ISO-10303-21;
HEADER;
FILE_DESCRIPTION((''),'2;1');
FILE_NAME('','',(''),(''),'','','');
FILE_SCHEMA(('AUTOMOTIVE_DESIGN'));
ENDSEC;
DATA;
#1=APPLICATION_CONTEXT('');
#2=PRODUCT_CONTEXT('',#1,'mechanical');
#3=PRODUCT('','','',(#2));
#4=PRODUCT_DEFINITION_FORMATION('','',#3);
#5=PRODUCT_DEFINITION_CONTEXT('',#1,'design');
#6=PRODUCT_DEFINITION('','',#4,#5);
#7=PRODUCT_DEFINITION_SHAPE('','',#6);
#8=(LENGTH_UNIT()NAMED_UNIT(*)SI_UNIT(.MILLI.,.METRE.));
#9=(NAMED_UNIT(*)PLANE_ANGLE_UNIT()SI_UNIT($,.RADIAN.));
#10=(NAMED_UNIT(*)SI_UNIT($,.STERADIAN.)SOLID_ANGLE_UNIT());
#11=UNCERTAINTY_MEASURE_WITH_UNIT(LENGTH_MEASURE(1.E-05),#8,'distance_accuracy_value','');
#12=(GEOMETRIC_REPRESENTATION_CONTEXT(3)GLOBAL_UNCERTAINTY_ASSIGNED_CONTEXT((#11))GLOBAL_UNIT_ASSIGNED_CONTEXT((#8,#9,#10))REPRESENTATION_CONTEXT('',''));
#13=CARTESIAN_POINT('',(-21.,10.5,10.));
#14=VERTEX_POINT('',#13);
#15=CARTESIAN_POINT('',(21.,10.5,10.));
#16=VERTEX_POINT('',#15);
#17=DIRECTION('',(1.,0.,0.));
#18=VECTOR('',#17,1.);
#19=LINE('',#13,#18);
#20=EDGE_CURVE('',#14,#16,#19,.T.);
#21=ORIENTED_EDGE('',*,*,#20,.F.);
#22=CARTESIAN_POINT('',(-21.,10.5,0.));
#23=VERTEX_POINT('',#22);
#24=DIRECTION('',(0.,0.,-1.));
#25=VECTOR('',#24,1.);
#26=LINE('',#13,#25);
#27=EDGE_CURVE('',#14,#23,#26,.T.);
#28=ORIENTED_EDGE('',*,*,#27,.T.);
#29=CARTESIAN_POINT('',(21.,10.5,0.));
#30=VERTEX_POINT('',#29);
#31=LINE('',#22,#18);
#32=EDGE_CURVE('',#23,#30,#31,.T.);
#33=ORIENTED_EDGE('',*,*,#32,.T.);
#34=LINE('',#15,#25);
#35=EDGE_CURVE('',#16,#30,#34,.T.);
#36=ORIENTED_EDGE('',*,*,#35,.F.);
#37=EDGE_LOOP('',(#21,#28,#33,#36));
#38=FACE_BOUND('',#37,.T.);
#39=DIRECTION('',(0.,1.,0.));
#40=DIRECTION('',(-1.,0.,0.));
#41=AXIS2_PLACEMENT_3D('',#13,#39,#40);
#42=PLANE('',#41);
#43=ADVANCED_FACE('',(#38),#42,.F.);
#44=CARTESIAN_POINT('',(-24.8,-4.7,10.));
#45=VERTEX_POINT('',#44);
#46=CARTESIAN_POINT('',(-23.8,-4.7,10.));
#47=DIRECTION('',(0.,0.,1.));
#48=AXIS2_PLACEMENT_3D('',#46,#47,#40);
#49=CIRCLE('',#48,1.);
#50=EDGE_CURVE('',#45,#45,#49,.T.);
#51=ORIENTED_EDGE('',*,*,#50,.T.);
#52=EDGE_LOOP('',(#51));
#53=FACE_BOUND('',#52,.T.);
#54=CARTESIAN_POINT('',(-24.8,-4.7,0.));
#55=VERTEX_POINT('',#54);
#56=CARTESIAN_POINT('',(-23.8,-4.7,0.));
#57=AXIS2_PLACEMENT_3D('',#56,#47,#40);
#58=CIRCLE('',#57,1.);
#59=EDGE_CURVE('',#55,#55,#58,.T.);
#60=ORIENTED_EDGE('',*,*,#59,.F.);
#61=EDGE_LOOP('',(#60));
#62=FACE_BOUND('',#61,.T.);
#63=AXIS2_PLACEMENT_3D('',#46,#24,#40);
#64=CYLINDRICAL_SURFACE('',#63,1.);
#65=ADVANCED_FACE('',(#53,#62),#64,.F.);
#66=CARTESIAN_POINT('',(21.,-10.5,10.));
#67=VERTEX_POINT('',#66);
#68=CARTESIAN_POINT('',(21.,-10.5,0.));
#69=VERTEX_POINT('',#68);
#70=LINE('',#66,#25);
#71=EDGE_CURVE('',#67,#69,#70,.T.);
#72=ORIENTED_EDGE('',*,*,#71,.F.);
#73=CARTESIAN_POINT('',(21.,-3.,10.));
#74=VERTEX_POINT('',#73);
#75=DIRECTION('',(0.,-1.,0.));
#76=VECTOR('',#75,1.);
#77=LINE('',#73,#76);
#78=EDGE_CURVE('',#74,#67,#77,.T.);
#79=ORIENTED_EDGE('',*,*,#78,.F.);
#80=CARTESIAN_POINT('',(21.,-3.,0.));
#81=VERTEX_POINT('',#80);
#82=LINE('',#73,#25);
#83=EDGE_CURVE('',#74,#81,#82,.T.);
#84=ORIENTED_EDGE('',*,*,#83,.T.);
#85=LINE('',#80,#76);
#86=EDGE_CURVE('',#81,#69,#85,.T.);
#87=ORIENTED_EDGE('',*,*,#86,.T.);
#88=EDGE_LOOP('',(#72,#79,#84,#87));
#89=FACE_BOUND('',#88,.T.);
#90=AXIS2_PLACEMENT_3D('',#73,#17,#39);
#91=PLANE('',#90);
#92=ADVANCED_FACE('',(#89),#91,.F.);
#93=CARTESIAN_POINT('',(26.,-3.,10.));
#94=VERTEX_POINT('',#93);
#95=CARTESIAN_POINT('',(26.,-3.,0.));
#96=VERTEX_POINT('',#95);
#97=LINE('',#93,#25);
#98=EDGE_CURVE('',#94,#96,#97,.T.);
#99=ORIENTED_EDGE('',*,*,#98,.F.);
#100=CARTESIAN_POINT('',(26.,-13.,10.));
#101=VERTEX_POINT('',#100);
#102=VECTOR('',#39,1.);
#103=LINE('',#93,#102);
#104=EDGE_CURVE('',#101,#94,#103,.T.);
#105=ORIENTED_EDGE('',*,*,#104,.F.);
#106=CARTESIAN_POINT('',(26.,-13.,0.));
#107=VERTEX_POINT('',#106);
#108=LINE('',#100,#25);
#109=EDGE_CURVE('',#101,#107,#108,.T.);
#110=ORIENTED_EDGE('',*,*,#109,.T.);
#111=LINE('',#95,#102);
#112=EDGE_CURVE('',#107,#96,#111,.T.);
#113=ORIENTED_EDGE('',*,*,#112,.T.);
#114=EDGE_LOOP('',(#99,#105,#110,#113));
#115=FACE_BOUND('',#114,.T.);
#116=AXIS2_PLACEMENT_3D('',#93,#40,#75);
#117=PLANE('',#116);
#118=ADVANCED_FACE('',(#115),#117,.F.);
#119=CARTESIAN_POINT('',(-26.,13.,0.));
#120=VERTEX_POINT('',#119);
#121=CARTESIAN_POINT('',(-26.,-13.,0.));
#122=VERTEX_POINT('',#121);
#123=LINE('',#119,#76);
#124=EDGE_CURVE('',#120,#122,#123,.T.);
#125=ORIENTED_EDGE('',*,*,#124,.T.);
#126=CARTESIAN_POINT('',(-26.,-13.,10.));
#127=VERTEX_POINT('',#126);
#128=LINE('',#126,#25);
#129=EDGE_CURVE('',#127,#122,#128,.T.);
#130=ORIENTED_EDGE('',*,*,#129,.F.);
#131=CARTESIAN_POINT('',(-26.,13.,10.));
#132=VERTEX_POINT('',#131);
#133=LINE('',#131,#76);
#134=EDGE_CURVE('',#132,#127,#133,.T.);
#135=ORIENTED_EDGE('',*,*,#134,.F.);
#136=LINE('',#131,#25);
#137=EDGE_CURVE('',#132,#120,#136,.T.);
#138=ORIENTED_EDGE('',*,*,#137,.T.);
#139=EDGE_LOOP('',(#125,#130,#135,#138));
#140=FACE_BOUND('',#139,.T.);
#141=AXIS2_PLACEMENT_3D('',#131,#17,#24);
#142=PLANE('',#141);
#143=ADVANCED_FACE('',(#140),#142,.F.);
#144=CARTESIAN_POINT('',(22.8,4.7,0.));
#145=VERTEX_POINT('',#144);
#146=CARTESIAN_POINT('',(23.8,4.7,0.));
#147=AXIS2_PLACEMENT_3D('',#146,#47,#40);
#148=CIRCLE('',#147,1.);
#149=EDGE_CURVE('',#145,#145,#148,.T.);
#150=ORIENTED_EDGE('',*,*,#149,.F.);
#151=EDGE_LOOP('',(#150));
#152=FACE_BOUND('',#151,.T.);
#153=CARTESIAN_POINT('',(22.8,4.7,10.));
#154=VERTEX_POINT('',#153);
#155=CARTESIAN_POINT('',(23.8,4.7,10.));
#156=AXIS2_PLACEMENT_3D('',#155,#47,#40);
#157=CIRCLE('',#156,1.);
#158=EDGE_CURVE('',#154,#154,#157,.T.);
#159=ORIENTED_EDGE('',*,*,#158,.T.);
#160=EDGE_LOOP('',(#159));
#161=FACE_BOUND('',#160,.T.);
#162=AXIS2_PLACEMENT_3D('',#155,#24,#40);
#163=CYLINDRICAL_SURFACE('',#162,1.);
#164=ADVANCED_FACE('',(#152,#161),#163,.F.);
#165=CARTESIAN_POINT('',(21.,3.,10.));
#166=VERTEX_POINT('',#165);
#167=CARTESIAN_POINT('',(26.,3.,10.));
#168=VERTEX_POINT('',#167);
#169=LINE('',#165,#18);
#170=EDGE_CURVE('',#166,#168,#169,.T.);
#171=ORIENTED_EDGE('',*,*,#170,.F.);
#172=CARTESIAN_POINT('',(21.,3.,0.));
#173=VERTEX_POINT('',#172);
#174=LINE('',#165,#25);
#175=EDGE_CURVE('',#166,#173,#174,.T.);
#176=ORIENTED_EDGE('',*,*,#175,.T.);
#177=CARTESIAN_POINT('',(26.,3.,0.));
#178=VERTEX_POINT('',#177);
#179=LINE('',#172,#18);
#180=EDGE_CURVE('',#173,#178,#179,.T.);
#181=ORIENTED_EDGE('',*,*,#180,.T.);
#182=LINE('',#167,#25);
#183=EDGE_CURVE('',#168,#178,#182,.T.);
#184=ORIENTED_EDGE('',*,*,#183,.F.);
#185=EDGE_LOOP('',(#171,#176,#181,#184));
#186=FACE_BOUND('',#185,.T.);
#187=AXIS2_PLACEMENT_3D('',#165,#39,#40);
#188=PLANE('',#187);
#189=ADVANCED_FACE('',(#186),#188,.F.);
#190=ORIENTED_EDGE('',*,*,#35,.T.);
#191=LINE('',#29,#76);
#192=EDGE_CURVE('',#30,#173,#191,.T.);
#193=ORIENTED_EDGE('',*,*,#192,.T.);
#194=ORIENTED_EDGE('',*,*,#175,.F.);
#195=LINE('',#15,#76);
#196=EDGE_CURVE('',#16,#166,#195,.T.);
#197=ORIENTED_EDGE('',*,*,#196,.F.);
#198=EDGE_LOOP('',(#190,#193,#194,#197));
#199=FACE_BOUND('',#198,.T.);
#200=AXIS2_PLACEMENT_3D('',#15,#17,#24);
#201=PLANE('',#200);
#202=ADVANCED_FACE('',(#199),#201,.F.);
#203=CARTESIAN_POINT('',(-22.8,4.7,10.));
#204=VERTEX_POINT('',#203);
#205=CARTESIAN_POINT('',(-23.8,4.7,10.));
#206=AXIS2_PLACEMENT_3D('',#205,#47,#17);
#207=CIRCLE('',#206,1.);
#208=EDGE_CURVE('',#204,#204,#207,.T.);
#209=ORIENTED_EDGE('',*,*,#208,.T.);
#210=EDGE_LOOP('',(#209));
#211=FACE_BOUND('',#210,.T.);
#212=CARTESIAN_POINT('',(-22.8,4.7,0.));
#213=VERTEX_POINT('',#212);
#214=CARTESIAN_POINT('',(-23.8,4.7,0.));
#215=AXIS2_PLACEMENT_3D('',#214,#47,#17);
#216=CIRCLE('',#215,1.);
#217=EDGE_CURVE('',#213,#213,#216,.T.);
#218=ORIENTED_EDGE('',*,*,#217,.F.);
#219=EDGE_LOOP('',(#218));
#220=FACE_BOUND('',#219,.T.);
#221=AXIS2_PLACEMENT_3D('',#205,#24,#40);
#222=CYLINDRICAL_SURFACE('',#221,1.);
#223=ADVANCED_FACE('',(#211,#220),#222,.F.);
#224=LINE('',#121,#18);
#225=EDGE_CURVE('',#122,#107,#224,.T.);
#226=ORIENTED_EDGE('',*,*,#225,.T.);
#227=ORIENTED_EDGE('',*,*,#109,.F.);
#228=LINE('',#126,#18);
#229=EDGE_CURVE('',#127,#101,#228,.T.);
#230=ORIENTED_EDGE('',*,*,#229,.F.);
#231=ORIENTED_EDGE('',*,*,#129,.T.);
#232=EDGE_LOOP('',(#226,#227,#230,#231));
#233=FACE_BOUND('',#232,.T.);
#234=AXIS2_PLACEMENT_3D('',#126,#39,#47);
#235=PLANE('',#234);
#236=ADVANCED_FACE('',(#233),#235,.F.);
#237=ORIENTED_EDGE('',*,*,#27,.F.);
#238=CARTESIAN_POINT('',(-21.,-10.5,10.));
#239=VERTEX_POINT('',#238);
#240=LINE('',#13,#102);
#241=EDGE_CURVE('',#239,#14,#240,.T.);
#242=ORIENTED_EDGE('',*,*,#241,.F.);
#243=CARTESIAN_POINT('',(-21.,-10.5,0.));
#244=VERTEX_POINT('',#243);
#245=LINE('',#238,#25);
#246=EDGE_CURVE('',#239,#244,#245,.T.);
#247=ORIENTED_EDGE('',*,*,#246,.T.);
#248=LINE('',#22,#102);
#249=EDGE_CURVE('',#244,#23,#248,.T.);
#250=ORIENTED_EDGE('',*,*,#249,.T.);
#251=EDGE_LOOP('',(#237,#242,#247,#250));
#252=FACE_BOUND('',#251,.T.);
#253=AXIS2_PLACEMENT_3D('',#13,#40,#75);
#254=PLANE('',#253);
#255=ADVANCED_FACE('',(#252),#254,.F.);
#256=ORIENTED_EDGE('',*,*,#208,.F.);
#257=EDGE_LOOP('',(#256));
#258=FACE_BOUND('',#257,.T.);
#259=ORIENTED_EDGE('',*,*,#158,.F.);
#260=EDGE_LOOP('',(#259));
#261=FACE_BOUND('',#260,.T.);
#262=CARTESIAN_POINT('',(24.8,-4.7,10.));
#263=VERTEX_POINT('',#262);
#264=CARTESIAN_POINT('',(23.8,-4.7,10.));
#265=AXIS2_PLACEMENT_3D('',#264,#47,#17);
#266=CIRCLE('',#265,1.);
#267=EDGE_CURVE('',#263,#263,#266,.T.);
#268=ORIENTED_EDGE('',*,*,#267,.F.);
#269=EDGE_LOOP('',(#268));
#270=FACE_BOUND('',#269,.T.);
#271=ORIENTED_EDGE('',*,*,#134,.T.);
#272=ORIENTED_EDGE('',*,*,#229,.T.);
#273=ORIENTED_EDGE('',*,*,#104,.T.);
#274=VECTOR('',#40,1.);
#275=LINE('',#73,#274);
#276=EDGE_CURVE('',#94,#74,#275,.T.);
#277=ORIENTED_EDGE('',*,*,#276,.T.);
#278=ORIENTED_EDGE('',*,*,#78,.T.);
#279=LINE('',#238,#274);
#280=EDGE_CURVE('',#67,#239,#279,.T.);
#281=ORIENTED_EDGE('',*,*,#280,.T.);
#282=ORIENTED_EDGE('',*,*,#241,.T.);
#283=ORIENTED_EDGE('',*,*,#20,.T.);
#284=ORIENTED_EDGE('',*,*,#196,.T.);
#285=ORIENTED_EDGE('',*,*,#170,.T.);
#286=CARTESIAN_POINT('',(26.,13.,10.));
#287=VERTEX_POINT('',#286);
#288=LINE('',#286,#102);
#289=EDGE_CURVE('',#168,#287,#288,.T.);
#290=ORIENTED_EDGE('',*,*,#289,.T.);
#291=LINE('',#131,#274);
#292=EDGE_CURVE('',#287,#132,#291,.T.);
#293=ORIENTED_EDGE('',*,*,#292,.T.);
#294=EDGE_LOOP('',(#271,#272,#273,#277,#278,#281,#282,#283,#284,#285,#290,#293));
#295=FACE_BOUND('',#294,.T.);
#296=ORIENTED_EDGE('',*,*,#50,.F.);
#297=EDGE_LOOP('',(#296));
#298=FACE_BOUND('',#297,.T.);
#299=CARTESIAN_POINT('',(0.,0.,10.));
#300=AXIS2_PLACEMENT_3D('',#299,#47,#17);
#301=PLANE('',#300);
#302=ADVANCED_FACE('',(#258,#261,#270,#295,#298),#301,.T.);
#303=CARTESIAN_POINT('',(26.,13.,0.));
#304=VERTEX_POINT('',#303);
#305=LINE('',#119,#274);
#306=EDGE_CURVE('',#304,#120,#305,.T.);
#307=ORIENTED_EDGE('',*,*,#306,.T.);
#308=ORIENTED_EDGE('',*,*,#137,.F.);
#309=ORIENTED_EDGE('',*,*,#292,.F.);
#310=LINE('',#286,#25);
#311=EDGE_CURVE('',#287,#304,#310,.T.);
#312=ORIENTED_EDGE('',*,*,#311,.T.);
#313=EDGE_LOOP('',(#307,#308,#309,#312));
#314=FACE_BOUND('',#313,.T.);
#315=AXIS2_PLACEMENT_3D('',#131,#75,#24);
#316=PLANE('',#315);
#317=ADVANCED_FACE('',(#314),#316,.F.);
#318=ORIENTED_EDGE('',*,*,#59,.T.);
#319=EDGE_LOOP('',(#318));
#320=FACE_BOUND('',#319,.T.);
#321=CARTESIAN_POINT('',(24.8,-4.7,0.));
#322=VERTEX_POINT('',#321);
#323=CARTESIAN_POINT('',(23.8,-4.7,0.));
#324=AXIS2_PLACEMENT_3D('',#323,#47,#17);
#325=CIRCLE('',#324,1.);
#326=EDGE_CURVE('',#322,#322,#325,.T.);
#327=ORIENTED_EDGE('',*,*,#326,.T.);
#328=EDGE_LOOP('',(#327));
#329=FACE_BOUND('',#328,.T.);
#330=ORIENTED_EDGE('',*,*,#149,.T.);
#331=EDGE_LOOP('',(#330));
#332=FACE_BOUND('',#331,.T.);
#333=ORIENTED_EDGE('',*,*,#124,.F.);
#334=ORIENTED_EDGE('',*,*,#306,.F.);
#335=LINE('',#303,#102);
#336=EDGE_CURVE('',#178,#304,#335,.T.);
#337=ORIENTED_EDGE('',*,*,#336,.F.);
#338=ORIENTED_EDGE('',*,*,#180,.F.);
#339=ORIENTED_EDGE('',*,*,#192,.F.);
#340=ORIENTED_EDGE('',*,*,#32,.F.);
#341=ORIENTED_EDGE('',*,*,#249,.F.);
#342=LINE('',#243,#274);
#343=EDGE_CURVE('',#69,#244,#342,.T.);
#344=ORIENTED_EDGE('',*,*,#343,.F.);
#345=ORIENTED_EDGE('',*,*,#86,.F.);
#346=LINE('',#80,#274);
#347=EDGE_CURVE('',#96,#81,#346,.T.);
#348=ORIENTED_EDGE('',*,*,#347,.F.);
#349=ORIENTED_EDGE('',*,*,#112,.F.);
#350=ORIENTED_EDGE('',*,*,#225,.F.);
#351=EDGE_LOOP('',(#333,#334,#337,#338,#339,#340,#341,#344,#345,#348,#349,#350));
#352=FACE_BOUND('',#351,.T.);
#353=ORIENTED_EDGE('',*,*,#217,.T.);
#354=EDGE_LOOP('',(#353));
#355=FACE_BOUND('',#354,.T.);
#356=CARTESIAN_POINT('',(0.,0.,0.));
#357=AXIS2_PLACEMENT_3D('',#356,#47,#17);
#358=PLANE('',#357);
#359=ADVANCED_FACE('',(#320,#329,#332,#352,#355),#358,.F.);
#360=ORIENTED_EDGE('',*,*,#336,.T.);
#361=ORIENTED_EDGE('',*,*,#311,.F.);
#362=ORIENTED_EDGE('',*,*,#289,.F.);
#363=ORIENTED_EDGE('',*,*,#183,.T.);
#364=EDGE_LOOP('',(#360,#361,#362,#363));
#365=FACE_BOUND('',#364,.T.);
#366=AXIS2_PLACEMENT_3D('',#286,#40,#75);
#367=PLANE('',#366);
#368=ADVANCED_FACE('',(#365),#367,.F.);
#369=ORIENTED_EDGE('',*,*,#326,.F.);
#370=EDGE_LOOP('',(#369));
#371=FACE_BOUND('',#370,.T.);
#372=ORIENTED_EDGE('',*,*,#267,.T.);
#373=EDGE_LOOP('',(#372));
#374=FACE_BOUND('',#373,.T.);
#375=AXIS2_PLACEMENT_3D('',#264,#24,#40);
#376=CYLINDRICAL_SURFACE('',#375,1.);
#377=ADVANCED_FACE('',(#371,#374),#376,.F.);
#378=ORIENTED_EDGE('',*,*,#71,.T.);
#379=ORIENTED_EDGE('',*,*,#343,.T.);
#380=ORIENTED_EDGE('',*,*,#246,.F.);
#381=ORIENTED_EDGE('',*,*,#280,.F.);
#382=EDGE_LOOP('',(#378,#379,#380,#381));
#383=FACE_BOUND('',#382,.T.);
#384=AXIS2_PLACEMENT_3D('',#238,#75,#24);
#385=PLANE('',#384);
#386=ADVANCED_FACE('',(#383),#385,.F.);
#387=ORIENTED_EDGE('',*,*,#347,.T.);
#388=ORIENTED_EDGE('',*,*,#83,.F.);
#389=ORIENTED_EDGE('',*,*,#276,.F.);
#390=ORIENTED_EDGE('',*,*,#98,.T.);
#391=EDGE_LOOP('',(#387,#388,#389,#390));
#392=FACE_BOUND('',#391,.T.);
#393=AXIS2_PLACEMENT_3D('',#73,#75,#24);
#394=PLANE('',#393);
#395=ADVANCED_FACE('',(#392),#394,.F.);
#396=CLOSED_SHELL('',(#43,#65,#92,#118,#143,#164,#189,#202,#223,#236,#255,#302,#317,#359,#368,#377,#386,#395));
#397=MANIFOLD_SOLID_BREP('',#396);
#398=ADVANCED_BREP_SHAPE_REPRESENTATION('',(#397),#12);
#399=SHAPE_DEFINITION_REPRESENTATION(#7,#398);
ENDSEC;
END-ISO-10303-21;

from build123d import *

# Parameters (mm, degrees)
SKETCH_1_R      = 1
EXTRUDE_1_DEPTH = 10


with BuildPart() as part:
    # 草圖1 → 填料-伸長1 (new body)
    with BuildSketch(Plane.XY):
        Polygon((-21, 10.5), (21, 10.5), (21, 3), (26, 3), (26, 13), (-26, 13), (-26, -13), (26, -13), (26, -3), (21, -3), (21, -10.5), (-21, -10.5), align=None)
        with Locations((-23.8, 4.7)):
            Circle(SKETCH_1_R, mode=Mode.SUBTRACT)
        with Locations((23.8, 4.7)):
            Circle(SKETCH_1_R, mode=Mode.SUBTRACT)
        with Locations((23.8, -4.7)):
            Circle(SKETCH_1_R, mode=Mode.SUBTRACT)
        with Locations((-23.8, -4.7)):
            Circle(SKETCH_1_R, mode=Mode.SUBTRACT)
    extrude(amount=EXTRUDE_1_DEPTH)


solid = part.part
